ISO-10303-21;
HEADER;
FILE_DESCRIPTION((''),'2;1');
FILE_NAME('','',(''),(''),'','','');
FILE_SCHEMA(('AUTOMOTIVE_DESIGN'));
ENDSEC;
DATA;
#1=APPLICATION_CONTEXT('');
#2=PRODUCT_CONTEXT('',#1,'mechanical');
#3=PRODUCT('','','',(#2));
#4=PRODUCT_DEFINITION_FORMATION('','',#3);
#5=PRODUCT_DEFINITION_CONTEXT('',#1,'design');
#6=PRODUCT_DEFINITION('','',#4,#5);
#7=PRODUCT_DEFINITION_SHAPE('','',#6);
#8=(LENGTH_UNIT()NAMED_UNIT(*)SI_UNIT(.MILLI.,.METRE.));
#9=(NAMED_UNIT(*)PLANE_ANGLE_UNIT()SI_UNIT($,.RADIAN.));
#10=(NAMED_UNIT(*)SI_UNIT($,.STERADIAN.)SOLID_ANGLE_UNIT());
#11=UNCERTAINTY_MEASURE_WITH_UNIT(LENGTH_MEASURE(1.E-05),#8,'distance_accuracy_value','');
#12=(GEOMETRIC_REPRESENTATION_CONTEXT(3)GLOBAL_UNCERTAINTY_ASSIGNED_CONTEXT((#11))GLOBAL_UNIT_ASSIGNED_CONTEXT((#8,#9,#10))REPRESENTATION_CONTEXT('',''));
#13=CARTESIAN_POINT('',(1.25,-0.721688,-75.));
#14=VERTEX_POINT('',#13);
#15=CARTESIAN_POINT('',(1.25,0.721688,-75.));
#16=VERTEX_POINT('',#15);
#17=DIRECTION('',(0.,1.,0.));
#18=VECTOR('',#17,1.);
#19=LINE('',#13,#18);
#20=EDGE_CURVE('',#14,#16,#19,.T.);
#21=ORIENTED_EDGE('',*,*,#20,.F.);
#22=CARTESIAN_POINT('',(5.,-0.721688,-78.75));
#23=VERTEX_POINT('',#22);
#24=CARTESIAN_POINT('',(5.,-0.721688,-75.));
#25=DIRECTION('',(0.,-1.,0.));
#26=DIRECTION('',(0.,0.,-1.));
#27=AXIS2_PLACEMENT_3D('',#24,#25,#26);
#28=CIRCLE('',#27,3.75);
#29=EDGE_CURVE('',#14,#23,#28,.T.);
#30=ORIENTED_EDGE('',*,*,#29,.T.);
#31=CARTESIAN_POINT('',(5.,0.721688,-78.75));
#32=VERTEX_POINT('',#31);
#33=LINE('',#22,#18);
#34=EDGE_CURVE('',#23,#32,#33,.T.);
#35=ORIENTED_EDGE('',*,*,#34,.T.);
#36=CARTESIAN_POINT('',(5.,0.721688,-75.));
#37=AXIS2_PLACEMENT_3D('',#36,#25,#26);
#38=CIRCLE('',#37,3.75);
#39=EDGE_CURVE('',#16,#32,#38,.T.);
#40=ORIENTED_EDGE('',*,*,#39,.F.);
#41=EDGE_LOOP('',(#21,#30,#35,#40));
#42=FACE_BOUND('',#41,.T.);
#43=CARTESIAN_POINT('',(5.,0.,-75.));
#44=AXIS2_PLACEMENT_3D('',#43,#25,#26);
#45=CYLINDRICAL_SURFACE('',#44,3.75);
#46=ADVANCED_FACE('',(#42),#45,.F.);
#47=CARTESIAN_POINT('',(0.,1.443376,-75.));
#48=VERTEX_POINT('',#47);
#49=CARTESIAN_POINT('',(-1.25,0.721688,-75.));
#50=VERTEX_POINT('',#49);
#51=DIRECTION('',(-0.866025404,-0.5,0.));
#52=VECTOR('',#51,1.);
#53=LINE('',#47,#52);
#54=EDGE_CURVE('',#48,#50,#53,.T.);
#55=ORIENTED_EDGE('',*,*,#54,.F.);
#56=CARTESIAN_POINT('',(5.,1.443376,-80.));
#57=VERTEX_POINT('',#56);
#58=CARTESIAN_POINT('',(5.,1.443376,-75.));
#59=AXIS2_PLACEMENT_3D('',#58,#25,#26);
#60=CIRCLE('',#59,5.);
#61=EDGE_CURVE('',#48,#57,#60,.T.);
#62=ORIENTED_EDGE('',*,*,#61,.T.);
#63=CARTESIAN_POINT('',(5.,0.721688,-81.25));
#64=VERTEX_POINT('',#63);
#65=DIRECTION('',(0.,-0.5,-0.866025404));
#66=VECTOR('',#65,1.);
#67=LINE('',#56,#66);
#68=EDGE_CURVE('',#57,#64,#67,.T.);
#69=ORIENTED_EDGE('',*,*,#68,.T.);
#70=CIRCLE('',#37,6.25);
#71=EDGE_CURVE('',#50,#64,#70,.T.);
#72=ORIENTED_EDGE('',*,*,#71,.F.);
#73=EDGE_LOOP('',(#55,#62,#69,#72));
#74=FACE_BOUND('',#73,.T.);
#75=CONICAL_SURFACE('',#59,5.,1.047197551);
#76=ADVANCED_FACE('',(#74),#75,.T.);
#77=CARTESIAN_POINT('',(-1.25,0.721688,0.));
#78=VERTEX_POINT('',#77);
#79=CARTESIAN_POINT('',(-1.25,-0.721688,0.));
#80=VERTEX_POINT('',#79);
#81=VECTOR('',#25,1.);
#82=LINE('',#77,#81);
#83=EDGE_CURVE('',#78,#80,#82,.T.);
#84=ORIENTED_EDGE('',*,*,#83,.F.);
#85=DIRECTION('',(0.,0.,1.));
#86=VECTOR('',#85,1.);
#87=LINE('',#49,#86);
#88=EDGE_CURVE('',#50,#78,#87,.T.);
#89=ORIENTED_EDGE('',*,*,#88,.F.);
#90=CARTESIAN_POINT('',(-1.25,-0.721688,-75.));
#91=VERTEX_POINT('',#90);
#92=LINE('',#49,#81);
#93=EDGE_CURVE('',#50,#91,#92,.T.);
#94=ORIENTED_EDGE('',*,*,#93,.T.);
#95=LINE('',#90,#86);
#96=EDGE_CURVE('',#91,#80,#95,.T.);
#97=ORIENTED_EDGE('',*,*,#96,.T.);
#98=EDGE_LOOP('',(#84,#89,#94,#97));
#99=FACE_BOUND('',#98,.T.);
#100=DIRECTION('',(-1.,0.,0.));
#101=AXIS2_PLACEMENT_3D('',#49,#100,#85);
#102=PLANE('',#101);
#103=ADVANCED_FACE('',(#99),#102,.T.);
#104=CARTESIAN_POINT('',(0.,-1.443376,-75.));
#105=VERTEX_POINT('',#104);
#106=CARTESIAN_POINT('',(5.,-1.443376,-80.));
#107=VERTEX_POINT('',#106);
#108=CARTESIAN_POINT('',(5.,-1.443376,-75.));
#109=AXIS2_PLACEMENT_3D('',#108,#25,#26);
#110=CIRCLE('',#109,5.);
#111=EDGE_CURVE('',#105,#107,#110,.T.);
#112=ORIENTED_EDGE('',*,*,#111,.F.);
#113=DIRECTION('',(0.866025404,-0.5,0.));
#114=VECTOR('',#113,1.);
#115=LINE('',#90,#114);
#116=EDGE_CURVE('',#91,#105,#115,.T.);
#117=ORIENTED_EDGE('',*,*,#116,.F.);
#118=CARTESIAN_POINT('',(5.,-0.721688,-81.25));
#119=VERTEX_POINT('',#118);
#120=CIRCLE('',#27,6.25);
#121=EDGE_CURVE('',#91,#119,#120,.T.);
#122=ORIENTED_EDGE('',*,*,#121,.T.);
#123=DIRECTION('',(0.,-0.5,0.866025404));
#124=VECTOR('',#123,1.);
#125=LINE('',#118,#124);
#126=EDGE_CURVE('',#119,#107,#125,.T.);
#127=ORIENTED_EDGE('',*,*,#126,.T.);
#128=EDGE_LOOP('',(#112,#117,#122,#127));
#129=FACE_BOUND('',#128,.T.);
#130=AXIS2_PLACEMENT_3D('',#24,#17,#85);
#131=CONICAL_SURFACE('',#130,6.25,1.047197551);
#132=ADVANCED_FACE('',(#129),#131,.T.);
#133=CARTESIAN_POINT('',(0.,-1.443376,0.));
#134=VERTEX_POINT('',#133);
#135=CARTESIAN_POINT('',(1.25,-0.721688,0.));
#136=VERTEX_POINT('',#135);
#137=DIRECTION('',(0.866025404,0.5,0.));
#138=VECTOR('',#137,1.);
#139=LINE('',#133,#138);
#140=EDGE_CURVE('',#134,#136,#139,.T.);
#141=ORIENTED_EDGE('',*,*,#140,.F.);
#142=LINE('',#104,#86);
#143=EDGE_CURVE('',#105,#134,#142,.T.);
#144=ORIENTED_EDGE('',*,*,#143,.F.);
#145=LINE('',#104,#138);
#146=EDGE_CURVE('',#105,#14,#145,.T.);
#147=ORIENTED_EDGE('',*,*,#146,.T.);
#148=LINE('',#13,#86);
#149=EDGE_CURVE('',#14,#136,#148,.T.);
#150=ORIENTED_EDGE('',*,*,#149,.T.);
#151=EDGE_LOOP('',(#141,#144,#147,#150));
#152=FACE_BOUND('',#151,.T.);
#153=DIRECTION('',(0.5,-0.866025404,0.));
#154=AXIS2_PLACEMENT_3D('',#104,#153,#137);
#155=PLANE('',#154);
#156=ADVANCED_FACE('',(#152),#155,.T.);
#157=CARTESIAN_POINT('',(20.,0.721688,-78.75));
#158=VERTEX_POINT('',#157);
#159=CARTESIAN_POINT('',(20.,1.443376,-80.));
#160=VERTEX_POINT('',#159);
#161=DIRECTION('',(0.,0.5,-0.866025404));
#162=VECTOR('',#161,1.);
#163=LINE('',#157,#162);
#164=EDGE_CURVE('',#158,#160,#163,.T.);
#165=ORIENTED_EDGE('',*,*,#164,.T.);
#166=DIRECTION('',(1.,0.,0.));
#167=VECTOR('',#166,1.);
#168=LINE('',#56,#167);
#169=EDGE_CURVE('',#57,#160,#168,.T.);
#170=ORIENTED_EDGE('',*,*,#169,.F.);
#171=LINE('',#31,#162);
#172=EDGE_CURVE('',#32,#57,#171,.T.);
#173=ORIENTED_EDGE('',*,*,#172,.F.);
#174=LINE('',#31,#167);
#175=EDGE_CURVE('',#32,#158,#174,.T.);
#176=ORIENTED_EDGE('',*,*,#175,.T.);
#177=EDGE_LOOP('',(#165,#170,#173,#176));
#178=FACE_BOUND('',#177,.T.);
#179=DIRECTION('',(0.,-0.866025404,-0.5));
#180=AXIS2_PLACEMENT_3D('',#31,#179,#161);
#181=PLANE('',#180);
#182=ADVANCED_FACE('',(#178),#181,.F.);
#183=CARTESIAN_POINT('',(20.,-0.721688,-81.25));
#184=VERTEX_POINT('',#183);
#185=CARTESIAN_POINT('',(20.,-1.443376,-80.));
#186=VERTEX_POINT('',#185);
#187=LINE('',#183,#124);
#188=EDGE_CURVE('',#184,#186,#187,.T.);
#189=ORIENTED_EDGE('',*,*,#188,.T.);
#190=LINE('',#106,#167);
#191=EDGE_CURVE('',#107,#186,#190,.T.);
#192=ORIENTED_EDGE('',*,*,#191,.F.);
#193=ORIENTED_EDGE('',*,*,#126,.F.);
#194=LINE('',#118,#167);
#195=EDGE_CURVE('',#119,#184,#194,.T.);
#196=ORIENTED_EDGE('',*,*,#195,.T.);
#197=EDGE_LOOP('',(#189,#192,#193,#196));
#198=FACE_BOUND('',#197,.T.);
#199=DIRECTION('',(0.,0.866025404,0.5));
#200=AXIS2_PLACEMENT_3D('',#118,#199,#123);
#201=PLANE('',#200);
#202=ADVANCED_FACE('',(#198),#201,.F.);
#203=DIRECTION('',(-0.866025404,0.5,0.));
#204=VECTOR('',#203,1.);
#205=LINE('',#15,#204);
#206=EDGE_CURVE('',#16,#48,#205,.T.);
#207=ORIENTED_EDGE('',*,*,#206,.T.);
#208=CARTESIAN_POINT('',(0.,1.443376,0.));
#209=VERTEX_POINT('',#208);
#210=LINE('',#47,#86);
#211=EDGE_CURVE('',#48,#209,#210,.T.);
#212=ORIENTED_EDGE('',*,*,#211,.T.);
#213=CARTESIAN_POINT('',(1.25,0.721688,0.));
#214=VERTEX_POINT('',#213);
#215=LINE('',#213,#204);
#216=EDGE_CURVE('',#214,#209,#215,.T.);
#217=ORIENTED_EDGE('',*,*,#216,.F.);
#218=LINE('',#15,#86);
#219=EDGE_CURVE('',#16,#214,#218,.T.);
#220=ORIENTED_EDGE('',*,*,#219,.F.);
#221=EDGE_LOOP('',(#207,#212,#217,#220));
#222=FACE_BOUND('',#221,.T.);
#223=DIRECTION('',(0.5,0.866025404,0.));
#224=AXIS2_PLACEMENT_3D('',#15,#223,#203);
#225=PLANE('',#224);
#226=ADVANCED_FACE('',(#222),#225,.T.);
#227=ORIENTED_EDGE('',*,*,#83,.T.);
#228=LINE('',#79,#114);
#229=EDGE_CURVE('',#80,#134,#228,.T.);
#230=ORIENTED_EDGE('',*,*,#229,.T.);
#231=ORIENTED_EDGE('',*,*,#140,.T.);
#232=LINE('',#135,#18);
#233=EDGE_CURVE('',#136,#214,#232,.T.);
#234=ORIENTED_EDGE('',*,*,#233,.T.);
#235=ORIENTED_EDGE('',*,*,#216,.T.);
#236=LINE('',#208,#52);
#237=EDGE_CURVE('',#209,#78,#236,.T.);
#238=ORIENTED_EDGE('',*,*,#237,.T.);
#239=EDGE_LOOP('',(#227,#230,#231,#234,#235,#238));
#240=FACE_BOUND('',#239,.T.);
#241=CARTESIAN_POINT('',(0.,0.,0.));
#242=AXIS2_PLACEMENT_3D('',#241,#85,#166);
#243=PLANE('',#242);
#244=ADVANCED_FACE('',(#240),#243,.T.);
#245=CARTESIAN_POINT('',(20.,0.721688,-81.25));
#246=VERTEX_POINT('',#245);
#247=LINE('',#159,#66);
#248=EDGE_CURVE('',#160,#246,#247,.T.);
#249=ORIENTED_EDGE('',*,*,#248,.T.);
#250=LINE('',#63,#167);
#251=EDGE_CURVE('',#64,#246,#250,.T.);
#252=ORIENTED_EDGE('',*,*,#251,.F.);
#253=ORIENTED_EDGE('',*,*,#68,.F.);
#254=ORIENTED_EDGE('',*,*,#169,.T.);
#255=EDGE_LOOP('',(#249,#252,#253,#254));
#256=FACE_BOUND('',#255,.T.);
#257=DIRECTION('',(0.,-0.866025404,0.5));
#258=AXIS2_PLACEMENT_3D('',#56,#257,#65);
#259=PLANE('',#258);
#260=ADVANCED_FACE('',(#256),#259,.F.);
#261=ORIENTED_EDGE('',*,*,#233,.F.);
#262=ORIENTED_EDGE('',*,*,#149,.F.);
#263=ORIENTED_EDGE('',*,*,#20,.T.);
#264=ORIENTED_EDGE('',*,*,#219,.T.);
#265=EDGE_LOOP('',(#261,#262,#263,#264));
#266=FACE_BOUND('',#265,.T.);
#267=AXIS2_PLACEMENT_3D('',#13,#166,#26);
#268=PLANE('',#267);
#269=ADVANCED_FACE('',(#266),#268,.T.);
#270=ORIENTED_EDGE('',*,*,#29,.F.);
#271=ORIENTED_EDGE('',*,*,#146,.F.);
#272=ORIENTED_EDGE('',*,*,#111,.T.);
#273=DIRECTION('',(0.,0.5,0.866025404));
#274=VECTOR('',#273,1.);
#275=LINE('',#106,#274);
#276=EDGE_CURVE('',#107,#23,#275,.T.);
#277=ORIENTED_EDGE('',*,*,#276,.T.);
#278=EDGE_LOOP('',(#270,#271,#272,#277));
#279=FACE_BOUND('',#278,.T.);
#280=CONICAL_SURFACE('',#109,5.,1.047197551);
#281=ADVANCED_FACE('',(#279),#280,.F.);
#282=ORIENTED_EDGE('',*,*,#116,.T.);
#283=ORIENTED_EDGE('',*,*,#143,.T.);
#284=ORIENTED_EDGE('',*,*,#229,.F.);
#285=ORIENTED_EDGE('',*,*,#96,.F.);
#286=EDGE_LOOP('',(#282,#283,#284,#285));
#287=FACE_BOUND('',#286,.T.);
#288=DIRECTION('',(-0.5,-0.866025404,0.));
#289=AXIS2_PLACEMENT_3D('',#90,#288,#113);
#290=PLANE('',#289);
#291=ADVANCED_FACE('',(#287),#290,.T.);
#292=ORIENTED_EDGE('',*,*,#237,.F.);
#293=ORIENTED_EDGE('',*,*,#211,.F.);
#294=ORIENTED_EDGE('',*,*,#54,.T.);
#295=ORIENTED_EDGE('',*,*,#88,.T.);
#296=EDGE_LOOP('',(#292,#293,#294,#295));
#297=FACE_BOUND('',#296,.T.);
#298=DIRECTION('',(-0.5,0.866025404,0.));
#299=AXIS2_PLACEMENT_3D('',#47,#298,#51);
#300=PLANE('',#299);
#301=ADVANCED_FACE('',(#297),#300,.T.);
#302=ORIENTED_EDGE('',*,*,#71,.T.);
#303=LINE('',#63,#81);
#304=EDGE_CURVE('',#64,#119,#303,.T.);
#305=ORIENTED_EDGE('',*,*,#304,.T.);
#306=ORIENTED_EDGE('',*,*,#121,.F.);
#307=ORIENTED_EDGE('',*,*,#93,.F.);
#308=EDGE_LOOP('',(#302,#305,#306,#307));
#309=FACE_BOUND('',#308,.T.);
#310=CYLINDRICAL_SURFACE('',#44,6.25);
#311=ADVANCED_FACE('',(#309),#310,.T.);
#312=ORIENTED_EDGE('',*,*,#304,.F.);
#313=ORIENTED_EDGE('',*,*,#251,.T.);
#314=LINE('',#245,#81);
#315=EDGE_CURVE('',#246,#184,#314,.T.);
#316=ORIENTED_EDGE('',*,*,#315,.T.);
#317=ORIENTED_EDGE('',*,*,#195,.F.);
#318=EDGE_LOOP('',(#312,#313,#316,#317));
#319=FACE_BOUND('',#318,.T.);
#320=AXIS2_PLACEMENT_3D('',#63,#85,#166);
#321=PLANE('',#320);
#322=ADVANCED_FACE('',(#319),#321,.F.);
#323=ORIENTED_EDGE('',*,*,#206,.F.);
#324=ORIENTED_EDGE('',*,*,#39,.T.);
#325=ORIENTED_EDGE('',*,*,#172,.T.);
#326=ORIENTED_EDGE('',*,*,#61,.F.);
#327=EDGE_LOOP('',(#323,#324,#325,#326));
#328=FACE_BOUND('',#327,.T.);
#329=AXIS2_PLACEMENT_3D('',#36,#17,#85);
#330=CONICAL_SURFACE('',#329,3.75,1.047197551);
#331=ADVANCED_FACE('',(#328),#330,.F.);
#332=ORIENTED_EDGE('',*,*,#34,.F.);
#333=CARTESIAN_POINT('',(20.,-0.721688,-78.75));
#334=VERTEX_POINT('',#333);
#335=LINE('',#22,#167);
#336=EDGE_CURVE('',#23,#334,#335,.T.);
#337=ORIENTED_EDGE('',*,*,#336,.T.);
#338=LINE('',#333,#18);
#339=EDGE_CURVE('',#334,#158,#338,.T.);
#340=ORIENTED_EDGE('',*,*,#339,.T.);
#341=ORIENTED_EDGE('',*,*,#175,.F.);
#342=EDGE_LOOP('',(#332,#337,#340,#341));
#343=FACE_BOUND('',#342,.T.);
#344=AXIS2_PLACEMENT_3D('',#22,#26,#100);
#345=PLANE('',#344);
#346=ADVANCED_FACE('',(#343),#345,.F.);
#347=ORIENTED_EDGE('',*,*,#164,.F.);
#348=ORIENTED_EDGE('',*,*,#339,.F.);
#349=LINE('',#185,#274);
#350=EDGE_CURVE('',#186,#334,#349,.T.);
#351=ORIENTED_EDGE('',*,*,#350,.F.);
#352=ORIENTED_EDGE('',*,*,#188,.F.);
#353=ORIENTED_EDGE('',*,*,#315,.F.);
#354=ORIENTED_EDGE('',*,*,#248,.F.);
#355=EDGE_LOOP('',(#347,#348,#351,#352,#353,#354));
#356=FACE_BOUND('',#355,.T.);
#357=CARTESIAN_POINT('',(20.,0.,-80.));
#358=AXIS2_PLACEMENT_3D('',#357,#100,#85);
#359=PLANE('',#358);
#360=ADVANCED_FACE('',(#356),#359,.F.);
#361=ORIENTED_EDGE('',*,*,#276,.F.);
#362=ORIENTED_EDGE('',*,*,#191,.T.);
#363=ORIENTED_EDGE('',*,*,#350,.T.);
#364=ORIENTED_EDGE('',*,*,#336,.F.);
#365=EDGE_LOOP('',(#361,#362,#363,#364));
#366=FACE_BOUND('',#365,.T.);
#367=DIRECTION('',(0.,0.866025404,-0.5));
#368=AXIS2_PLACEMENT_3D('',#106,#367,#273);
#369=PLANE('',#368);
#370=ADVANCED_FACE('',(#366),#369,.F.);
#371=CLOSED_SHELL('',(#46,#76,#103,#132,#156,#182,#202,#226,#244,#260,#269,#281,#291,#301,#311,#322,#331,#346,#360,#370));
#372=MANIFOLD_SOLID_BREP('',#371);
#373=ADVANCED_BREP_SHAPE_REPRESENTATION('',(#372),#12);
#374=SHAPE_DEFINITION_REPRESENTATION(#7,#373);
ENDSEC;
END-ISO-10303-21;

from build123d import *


with BuildPart() as part:
    # Sweep1: sweep along a path in Sketch2
    with BuildLine(Plane(origin=(0, 0, 0), x_dir=(1, 0, 0), z_dir=(0, 1, 0))) as sweep1_path:
        Line((0, 0), (0, 75))
        ThreePointArc((0, 75), (1.464466094, 78.535533906), (5, 80))
        Line((5, 80), (20, 80))
    # Sketch1 → Sweep1 (sweep)
    with BuildSketch(Plane.XY):
        Polygon((-1.25, 0.721687836), (-1.25, -0.721687836), (0, -1.443375673), (1.25, -0.721687836), (1.25, 0.721687836), (0, 1.443375673), align=None)
    sweep(path=sweep1_path.line)


solid = part.part
